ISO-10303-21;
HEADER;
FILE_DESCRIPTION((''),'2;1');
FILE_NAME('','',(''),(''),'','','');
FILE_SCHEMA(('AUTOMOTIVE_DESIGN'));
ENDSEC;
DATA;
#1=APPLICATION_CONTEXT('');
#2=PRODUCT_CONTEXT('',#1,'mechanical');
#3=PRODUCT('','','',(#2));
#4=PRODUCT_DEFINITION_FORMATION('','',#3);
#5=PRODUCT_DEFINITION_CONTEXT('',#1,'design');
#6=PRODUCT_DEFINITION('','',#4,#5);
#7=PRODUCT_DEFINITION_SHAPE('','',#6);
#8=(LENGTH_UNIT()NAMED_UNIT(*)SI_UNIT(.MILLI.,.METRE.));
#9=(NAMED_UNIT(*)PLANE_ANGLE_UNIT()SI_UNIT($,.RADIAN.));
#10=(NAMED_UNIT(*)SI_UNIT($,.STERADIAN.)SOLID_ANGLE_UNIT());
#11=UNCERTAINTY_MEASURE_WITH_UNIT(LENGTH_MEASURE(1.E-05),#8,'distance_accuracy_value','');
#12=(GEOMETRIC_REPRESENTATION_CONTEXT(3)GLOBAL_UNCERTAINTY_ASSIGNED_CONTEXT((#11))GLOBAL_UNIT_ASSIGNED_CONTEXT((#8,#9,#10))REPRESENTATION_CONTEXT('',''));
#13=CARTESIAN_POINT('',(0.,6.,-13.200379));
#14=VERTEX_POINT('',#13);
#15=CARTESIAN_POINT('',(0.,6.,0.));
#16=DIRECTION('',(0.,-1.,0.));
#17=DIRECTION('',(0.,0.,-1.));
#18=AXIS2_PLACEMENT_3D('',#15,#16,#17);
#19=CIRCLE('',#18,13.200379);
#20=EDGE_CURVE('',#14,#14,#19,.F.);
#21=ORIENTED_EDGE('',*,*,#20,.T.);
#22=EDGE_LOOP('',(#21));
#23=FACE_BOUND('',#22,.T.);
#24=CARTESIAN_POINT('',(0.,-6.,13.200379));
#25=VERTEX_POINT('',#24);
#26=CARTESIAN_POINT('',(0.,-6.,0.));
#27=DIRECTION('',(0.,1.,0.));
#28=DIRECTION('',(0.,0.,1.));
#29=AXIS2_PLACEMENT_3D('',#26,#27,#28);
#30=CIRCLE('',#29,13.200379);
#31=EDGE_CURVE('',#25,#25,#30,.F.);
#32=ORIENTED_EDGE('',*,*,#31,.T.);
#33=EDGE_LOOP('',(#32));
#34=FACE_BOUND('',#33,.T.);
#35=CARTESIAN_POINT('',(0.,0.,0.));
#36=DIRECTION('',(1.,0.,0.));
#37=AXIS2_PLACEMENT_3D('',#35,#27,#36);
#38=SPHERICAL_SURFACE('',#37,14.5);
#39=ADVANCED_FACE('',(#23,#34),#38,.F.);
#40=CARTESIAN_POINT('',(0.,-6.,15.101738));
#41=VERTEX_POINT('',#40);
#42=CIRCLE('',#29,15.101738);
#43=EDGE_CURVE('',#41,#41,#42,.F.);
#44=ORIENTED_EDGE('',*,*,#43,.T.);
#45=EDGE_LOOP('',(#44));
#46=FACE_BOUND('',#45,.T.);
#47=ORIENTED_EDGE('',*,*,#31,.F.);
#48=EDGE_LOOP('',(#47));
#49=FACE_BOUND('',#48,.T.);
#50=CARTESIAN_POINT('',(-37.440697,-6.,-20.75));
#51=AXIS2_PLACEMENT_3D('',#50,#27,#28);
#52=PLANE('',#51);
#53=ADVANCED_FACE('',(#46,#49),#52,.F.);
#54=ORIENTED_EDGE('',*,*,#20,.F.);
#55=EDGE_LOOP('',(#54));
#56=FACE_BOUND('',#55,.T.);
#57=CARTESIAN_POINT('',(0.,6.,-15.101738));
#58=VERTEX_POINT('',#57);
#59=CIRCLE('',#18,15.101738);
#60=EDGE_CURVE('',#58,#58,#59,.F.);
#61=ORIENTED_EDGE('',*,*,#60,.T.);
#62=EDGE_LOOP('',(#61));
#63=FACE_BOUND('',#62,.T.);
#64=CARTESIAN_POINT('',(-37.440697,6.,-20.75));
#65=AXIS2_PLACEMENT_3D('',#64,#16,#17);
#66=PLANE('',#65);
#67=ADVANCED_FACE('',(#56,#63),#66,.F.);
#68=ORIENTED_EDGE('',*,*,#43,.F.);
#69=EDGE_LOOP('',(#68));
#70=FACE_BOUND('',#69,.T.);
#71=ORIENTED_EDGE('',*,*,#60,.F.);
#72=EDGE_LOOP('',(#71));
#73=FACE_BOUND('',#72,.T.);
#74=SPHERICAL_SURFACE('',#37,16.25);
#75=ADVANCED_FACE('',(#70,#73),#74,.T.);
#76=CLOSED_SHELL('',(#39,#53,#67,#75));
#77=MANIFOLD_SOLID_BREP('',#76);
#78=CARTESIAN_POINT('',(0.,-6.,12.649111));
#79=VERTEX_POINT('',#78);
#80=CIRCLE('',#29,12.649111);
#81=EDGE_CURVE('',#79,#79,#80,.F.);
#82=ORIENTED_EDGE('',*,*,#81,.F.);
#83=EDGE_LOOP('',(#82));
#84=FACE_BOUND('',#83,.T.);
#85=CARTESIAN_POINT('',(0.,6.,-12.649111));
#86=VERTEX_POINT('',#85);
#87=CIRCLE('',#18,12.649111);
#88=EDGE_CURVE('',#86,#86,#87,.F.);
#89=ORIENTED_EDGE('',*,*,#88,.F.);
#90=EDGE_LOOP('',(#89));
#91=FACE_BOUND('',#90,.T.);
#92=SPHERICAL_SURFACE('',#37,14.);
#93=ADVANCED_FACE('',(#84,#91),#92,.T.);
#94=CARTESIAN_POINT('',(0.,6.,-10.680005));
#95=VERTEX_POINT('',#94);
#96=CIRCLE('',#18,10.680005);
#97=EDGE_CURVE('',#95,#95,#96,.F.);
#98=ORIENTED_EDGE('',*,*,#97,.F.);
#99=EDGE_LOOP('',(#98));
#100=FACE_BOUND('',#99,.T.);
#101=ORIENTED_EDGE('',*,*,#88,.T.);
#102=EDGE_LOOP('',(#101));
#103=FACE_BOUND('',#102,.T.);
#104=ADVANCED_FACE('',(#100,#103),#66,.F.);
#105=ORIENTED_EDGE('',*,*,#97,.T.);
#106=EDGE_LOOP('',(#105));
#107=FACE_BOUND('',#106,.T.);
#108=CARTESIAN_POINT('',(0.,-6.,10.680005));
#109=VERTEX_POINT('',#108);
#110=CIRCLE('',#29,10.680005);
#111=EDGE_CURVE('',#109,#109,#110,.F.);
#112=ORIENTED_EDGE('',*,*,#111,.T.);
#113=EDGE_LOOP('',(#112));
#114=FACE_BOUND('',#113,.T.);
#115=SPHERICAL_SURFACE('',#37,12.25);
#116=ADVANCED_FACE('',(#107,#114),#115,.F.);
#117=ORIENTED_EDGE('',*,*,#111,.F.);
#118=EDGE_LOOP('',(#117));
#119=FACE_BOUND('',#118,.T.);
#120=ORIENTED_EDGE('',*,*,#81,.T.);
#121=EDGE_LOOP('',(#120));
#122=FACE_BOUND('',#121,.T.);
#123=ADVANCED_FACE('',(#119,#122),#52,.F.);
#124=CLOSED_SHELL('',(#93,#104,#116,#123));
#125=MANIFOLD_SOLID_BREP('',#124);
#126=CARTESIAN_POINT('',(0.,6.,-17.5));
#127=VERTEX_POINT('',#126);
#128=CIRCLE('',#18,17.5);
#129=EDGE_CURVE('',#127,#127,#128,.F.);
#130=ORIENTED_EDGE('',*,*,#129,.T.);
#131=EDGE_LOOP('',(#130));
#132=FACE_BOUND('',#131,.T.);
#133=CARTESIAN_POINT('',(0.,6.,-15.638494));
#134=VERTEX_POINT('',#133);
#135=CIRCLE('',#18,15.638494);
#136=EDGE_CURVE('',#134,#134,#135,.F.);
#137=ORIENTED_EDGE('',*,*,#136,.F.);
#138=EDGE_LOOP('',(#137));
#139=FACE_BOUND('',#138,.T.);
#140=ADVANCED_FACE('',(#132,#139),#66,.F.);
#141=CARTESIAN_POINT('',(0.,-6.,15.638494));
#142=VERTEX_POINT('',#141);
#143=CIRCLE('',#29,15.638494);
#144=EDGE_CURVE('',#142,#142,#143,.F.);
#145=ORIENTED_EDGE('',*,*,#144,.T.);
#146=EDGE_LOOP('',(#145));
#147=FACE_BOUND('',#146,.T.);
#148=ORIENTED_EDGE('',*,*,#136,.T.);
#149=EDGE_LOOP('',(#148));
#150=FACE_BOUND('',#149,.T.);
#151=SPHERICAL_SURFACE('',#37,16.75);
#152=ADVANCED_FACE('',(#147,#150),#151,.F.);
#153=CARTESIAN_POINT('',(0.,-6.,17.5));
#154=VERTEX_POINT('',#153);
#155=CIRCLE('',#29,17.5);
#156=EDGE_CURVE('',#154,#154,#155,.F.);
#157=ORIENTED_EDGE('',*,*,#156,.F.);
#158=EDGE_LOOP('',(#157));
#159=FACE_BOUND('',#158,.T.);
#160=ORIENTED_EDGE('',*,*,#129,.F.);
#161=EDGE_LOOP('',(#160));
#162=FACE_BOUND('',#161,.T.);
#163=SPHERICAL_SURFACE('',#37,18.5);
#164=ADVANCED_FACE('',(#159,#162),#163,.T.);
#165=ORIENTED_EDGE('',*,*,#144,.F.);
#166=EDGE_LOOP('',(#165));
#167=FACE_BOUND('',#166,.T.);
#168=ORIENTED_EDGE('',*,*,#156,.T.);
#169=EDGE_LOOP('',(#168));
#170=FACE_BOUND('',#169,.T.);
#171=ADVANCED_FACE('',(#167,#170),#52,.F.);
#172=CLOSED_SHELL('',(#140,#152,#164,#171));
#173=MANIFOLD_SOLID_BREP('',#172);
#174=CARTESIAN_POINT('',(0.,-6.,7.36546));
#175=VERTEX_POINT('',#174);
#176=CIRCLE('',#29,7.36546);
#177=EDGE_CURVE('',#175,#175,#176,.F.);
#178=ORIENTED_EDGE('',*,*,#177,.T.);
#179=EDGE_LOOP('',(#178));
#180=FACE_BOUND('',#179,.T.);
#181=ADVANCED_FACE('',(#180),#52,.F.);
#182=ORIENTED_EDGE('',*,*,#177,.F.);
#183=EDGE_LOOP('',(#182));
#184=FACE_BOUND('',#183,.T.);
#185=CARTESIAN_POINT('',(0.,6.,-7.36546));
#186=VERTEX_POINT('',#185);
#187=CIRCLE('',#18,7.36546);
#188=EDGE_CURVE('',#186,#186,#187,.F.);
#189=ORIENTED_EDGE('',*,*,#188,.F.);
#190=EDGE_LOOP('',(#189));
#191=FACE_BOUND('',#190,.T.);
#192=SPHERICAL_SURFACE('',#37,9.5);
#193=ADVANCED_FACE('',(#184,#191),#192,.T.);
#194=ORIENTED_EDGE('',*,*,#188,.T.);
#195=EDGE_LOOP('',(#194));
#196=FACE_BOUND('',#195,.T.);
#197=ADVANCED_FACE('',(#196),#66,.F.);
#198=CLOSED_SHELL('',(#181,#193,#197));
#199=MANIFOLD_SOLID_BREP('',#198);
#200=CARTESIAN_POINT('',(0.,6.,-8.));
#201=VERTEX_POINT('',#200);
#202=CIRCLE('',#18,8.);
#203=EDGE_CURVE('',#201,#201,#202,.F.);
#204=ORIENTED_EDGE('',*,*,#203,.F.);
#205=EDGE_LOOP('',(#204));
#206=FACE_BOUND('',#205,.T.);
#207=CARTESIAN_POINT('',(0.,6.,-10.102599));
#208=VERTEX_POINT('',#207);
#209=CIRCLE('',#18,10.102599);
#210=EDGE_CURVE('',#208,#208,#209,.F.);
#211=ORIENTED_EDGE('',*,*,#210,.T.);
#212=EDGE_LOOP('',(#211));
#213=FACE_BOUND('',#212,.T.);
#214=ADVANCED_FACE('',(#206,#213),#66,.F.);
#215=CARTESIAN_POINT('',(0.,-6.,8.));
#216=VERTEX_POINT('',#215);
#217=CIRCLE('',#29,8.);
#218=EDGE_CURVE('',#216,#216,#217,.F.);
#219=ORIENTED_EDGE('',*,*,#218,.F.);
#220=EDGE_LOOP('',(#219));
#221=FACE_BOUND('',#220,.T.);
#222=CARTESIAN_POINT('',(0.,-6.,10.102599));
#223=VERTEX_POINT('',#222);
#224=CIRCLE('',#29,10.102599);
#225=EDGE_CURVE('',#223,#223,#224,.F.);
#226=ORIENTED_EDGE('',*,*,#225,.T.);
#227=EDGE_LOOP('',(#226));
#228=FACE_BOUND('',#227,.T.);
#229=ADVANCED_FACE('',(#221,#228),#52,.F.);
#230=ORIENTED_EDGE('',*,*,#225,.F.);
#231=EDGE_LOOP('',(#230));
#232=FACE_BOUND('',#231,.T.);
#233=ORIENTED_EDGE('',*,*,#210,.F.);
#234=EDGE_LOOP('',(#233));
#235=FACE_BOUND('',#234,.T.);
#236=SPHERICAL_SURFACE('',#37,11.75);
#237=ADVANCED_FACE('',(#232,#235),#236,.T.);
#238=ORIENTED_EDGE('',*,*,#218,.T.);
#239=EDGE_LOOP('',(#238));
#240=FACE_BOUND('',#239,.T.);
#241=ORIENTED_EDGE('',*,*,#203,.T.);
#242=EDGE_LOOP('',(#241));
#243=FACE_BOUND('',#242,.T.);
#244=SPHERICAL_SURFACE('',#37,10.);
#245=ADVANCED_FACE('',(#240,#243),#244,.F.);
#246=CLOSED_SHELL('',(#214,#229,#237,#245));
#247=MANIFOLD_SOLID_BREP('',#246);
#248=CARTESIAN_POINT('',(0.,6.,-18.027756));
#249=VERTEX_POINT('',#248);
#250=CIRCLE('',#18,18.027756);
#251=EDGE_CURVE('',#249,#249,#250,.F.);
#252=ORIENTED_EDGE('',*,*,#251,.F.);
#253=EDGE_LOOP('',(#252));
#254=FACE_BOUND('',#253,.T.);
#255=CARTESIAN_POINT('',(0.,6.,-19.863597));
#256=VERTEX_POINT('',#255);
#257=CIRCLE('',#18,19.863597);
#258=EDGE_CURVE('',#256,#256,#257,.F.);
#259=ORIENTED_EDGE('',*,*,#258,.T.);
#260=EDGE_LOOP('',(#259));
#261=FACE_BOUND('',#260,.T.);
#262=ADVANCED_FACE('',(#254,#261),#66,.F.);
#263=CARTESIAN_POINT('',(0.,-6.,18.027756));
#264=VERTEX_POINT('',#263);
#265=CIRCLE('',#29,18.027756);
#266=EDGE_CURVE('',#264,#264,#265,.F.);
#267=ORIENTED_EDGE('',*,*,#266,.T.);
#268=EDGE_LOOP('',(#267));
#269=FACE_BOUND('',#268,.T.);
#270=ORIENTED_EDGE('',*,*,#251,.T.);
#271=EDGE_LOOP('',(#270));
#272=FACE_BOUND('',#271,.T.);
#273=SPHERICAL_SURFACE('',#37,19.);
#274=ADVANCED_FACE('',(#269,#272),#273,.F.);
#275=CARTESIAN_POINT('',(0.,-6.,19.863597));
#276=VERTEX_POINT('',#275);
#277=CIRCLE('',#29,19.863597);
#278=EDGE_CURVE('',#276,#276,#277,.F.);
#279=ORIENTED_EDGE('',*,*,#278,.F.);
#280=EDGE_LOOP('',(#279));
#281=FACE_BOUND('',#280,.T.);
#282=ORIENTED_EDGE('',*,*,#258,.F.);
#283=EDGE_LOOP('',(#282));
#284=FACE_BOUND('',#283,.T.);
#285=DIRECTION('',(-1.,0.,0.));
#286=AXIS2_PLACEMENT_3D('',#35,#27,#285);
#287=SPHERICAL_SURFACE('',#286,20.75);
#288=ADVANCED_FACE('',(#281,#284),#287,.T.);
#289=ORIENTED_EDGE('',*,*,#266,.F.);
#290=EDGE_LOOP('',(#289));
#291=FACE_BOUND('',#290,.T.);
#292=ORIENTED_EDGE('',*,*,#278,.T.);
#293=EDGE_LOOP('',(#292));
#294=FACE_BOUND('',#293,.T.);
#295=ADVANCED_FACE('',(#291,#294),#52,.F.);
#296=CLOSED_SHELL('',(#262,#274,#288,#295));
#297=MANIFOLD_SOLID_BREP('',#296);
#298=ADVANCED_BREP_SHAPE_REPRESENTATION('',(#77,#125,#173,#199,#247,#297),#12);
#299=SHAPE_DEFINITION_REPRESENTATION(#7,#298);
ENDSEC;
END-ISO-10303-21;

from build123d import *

# Parameters (mm, degrees)
SKETCH2_W               = 74.325343109
SKETCH2_H               = 24.095497766
SKETCH2_H_2             = 25.578297629
CUT_EXTRUDE1_DEPTH      = 21.75
CUT_EXTRUDE1_DEPTH_BACK = 21.75


with BuildPart() as part:
    # Sketch1 → Revolve2 (revolve)
    with BuildSketch(Plane.XY):
        with BuildLine():
            Line((0, 9.5), (0, -9.5))
            ThreePointArc((0, -9.5), (-9.5, 0), (0, 9.5))
        make_face()
        with BuildLine():
            Line((0, 11.75), (0, 10))
            ThreePointArc((0, 10), (-10, 0), (0, -10))
            Line((0, -10), (0, -11.75))
            ThreePointArc((0, -11.75), (-11.75, 0), (0, 11.75))
        make_face()
        with BuildLine():
            Line((0, 14), (0, 12.25))
            ThreePointArc((0, 12.25), (-12.25, 0), (0, -12.25))
            Line((0, -12.25), (0, -14))
            ThreePointArc((0, -14), (-14, 0), (0, 14))
        make_face()
        with BuildLine():
            Line((0, 16.25), (0, 14.5))
            ThreePointArc((0, 14.5), (-14.5, 0), (0, -14.5))
            Line((0, -14.5), (0, -16.25))
            ThreePointArc((0, -16.25), (-16.25, 0), (0, 16.25))
        make_face()
        with BuildLine():
            Line((0, 18.5), (0, 16.75))
            ThreePointArc((0, 16.75), (-16.75, 0), (0, -16.75))
            Line((0, -16.75), (0, -18.5))
            ThreePointArc((0, -18.5), (-18.5, 0), (0, 18.5))
        make_face()
        with BuildLine():
            Line((0, 20.75), (0, 19))
            ThreePointArc((0, 19), (-19, 0), (0, -19))
            Line((0, -19), (0, -20.75))
            ThreePointArc((0, -20.75), (-20.75, 0), (0, 20.75))
        make_face()
    revolve(axis=Axis((0, 9.5, 0), (0, -1, 0)))

    # Sketch2 → Cut-Extrude1 (cut, two sides)
    with BuildSketch(Plane.XY) as cut_extrude1_sk:
        with Locations((-0.278024974, 18.047748883)):
            Rectangle(SKETCH2_W, SKETCH2_H)
        with Locations((-0.278024974, -18.789148815)):
            Rectangle(SKETCH2_W, SKETCH2_H_2)
    extrude(amount=CUT_EXTRUDE1_DEPTH, mode=Mode.SUBTRACT)
    extrude(cut_extrude1_sk.sketch, amount=-CUT_EXTRUDE1_DEPTH_BACK, mode=Mode.SUBTRACT)


solid = part.part
